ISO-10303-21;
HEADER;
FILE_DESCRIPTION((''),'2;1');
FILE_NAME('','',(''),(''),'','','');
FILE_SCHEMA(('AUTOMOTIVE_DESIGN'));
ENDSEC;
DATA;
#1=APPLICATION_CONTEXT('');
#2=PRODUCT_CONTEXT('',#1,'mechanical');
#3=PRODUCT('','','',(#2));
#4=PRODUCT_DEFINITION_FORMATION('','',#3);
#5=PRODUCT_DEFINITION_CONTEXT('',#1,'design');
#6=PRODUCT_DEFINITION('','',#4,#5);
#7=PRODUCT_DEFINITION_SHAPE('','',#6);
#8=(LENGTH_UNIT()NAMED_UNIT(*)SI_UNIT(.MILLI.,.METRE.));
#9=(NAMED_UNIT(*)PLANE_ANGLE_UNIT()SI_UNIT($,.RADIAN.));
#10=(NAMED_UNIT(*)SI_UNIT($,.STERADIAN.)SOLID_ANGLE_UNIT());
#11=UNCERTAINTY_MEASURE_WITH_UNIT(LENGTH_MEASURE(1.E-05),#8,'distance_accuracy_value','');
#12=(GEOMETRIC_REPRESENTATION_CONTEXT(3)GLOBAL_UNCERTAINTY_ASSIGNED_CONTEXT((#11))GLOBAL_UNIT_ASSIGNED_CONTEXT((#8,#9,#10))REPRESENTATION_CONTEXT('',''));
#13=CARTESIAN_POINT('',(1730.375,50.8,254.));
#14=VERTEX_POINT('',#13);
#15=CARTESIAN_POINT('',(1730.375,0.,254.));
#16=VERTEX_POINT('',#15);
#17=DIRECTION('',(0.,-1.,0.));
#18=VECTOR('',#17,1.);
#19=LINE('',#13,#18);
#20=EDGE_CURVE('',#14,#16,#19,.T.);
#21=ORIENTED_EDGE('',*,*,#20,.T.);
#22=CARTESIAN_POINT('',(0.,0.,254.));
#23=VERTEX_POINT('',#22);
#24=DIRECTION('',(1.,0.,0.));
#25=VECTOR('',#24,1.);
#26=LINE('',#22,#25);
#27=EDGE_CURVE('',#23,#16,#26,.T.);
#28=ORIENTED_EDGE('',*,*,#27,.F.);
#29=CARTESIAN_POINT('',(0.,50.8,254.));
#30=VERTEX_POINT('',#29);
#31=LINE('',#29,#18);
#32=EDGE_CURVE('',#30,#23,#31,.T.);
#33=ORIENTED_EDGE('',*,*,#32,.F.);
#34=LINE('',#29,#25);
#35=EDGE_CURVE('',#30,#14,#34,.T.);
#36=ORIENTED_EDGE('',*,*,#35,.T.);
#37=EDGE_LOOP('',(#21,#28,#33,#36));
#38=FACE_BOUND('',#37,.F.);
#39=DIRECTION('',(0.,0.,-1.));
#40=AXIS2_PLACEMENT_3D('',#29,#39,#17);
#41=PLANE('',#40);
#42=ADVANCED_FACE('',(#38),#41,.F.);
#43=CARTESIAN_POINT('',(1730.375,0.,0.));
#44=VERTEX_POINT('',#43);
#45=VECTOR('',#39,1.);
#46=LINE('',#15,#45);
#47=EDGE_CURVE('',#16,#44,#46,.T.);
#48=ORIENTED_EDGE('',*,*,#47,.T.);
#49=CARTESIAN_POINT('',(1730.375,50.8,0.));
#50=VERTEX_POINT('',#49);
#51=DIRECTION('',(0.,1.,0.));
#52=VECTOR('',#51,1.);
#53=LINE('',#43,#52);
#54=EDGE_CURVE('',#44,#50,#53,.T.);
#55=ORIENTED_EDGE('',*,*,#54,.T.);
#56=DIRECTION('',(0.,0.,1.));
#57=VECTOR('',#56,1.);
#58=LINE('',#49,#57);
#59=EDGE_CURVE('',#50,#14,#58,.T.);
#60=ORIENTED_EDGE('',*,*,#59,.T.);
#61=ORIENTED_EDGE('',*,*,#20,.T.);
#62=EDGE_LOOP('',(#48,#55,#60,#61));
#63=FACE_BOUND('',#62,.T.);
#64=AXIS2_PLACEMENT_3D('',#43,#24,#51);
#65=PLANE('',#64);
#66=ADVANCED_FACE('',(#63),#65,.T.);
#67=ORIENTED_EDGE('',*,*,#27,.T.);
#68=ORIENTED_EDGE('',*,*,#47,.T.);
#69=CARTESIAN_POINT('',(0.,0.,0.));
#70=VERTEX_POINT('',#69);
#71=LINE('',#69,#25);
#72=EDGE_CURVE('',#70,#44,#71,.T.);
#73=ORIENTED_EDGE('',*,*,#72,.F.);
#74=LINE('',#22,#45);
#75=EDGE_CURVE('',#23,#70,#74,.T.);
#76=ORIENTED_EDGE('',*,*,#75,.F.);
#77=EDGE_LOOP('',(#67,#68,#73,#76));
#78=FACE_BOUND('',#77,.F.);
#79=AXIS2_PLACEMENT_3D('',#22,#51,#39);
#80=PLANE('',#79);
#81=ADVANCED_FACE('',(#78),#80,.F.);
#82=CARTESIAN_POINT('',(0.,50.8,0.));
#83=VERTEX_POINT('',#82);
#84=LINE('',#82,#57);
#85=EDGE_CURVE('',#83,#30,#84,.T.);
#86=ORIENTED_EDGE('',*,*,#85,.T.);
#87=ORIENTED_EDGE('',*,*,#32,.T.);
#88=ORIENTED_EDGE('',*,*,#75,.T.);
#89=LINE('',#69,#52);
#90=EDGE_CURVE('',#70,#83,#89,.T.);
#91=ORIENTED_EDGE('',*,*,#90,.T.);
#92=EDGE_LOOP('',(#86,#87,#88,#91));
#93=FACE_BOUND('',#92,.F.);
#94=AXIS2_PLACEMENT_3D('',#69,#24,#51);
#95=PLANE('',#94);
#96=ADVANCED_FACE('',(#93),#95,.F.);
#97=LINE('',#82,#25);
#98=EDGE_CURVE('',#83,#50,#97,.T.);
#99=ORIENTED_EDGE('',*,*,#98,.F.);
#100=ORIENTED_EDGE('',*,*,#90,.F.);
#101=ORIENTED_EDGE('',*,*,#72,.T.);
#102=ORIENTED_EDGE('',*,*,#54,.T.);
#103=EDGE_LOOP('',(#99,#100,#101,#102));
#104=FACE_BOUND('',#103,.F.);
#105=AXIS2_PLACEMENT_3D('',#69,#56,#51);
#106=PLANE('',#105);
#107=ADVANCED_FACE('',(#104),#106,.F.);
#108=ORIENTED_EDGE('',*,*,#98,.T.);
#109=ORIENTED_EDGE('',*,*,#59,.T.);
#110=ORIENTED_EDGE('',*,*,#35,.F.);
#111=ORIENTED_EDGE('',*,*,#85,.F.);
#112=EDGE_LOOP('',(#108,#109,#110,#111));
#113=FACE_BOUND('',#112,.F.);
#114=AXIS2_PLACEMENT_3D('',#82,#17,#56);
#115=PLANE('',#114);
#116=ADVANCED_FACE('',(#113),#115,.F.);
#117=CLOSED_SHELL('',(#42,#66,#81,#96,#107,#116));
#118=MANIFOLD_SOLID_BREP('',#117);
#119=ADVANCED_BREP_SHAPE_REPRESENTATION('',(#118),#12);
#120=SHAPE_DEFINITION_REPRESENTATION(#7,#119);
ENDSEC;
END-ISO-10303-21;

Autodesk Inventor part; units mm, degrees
ref_plane "YZ Plane" through (0, 0, 0) normal (1, 0, 0) x (0, 1, 0)
ref_plane "XZ Plane" through (0, 0, 0) normal (0, 1, 0) x (-1, 0, 0)
ref_plane "XY Plane" through (0, 0, 0) normal (0, 0, 1) x (1, 0, 0)
sketch "Sketch1" plane through (0, 0, 0) normal (1, 0, 0) x (0, 1, 0)
  line L0 (0, 0) -> (50.8, 0)
  line L1 (50.8, 0) -> (50.8, 254)
  line L2 (50.8, 254) -> (0, 254)
  line L3 (0, 254) -> (0, 0)
  dimension "d0" = 50.8
  dimension "d1" = 254
extrude "Extrusion1" add sketch "Sketch1" along normal blind 1730.375
properties part number "Paver" material "Limestone"
